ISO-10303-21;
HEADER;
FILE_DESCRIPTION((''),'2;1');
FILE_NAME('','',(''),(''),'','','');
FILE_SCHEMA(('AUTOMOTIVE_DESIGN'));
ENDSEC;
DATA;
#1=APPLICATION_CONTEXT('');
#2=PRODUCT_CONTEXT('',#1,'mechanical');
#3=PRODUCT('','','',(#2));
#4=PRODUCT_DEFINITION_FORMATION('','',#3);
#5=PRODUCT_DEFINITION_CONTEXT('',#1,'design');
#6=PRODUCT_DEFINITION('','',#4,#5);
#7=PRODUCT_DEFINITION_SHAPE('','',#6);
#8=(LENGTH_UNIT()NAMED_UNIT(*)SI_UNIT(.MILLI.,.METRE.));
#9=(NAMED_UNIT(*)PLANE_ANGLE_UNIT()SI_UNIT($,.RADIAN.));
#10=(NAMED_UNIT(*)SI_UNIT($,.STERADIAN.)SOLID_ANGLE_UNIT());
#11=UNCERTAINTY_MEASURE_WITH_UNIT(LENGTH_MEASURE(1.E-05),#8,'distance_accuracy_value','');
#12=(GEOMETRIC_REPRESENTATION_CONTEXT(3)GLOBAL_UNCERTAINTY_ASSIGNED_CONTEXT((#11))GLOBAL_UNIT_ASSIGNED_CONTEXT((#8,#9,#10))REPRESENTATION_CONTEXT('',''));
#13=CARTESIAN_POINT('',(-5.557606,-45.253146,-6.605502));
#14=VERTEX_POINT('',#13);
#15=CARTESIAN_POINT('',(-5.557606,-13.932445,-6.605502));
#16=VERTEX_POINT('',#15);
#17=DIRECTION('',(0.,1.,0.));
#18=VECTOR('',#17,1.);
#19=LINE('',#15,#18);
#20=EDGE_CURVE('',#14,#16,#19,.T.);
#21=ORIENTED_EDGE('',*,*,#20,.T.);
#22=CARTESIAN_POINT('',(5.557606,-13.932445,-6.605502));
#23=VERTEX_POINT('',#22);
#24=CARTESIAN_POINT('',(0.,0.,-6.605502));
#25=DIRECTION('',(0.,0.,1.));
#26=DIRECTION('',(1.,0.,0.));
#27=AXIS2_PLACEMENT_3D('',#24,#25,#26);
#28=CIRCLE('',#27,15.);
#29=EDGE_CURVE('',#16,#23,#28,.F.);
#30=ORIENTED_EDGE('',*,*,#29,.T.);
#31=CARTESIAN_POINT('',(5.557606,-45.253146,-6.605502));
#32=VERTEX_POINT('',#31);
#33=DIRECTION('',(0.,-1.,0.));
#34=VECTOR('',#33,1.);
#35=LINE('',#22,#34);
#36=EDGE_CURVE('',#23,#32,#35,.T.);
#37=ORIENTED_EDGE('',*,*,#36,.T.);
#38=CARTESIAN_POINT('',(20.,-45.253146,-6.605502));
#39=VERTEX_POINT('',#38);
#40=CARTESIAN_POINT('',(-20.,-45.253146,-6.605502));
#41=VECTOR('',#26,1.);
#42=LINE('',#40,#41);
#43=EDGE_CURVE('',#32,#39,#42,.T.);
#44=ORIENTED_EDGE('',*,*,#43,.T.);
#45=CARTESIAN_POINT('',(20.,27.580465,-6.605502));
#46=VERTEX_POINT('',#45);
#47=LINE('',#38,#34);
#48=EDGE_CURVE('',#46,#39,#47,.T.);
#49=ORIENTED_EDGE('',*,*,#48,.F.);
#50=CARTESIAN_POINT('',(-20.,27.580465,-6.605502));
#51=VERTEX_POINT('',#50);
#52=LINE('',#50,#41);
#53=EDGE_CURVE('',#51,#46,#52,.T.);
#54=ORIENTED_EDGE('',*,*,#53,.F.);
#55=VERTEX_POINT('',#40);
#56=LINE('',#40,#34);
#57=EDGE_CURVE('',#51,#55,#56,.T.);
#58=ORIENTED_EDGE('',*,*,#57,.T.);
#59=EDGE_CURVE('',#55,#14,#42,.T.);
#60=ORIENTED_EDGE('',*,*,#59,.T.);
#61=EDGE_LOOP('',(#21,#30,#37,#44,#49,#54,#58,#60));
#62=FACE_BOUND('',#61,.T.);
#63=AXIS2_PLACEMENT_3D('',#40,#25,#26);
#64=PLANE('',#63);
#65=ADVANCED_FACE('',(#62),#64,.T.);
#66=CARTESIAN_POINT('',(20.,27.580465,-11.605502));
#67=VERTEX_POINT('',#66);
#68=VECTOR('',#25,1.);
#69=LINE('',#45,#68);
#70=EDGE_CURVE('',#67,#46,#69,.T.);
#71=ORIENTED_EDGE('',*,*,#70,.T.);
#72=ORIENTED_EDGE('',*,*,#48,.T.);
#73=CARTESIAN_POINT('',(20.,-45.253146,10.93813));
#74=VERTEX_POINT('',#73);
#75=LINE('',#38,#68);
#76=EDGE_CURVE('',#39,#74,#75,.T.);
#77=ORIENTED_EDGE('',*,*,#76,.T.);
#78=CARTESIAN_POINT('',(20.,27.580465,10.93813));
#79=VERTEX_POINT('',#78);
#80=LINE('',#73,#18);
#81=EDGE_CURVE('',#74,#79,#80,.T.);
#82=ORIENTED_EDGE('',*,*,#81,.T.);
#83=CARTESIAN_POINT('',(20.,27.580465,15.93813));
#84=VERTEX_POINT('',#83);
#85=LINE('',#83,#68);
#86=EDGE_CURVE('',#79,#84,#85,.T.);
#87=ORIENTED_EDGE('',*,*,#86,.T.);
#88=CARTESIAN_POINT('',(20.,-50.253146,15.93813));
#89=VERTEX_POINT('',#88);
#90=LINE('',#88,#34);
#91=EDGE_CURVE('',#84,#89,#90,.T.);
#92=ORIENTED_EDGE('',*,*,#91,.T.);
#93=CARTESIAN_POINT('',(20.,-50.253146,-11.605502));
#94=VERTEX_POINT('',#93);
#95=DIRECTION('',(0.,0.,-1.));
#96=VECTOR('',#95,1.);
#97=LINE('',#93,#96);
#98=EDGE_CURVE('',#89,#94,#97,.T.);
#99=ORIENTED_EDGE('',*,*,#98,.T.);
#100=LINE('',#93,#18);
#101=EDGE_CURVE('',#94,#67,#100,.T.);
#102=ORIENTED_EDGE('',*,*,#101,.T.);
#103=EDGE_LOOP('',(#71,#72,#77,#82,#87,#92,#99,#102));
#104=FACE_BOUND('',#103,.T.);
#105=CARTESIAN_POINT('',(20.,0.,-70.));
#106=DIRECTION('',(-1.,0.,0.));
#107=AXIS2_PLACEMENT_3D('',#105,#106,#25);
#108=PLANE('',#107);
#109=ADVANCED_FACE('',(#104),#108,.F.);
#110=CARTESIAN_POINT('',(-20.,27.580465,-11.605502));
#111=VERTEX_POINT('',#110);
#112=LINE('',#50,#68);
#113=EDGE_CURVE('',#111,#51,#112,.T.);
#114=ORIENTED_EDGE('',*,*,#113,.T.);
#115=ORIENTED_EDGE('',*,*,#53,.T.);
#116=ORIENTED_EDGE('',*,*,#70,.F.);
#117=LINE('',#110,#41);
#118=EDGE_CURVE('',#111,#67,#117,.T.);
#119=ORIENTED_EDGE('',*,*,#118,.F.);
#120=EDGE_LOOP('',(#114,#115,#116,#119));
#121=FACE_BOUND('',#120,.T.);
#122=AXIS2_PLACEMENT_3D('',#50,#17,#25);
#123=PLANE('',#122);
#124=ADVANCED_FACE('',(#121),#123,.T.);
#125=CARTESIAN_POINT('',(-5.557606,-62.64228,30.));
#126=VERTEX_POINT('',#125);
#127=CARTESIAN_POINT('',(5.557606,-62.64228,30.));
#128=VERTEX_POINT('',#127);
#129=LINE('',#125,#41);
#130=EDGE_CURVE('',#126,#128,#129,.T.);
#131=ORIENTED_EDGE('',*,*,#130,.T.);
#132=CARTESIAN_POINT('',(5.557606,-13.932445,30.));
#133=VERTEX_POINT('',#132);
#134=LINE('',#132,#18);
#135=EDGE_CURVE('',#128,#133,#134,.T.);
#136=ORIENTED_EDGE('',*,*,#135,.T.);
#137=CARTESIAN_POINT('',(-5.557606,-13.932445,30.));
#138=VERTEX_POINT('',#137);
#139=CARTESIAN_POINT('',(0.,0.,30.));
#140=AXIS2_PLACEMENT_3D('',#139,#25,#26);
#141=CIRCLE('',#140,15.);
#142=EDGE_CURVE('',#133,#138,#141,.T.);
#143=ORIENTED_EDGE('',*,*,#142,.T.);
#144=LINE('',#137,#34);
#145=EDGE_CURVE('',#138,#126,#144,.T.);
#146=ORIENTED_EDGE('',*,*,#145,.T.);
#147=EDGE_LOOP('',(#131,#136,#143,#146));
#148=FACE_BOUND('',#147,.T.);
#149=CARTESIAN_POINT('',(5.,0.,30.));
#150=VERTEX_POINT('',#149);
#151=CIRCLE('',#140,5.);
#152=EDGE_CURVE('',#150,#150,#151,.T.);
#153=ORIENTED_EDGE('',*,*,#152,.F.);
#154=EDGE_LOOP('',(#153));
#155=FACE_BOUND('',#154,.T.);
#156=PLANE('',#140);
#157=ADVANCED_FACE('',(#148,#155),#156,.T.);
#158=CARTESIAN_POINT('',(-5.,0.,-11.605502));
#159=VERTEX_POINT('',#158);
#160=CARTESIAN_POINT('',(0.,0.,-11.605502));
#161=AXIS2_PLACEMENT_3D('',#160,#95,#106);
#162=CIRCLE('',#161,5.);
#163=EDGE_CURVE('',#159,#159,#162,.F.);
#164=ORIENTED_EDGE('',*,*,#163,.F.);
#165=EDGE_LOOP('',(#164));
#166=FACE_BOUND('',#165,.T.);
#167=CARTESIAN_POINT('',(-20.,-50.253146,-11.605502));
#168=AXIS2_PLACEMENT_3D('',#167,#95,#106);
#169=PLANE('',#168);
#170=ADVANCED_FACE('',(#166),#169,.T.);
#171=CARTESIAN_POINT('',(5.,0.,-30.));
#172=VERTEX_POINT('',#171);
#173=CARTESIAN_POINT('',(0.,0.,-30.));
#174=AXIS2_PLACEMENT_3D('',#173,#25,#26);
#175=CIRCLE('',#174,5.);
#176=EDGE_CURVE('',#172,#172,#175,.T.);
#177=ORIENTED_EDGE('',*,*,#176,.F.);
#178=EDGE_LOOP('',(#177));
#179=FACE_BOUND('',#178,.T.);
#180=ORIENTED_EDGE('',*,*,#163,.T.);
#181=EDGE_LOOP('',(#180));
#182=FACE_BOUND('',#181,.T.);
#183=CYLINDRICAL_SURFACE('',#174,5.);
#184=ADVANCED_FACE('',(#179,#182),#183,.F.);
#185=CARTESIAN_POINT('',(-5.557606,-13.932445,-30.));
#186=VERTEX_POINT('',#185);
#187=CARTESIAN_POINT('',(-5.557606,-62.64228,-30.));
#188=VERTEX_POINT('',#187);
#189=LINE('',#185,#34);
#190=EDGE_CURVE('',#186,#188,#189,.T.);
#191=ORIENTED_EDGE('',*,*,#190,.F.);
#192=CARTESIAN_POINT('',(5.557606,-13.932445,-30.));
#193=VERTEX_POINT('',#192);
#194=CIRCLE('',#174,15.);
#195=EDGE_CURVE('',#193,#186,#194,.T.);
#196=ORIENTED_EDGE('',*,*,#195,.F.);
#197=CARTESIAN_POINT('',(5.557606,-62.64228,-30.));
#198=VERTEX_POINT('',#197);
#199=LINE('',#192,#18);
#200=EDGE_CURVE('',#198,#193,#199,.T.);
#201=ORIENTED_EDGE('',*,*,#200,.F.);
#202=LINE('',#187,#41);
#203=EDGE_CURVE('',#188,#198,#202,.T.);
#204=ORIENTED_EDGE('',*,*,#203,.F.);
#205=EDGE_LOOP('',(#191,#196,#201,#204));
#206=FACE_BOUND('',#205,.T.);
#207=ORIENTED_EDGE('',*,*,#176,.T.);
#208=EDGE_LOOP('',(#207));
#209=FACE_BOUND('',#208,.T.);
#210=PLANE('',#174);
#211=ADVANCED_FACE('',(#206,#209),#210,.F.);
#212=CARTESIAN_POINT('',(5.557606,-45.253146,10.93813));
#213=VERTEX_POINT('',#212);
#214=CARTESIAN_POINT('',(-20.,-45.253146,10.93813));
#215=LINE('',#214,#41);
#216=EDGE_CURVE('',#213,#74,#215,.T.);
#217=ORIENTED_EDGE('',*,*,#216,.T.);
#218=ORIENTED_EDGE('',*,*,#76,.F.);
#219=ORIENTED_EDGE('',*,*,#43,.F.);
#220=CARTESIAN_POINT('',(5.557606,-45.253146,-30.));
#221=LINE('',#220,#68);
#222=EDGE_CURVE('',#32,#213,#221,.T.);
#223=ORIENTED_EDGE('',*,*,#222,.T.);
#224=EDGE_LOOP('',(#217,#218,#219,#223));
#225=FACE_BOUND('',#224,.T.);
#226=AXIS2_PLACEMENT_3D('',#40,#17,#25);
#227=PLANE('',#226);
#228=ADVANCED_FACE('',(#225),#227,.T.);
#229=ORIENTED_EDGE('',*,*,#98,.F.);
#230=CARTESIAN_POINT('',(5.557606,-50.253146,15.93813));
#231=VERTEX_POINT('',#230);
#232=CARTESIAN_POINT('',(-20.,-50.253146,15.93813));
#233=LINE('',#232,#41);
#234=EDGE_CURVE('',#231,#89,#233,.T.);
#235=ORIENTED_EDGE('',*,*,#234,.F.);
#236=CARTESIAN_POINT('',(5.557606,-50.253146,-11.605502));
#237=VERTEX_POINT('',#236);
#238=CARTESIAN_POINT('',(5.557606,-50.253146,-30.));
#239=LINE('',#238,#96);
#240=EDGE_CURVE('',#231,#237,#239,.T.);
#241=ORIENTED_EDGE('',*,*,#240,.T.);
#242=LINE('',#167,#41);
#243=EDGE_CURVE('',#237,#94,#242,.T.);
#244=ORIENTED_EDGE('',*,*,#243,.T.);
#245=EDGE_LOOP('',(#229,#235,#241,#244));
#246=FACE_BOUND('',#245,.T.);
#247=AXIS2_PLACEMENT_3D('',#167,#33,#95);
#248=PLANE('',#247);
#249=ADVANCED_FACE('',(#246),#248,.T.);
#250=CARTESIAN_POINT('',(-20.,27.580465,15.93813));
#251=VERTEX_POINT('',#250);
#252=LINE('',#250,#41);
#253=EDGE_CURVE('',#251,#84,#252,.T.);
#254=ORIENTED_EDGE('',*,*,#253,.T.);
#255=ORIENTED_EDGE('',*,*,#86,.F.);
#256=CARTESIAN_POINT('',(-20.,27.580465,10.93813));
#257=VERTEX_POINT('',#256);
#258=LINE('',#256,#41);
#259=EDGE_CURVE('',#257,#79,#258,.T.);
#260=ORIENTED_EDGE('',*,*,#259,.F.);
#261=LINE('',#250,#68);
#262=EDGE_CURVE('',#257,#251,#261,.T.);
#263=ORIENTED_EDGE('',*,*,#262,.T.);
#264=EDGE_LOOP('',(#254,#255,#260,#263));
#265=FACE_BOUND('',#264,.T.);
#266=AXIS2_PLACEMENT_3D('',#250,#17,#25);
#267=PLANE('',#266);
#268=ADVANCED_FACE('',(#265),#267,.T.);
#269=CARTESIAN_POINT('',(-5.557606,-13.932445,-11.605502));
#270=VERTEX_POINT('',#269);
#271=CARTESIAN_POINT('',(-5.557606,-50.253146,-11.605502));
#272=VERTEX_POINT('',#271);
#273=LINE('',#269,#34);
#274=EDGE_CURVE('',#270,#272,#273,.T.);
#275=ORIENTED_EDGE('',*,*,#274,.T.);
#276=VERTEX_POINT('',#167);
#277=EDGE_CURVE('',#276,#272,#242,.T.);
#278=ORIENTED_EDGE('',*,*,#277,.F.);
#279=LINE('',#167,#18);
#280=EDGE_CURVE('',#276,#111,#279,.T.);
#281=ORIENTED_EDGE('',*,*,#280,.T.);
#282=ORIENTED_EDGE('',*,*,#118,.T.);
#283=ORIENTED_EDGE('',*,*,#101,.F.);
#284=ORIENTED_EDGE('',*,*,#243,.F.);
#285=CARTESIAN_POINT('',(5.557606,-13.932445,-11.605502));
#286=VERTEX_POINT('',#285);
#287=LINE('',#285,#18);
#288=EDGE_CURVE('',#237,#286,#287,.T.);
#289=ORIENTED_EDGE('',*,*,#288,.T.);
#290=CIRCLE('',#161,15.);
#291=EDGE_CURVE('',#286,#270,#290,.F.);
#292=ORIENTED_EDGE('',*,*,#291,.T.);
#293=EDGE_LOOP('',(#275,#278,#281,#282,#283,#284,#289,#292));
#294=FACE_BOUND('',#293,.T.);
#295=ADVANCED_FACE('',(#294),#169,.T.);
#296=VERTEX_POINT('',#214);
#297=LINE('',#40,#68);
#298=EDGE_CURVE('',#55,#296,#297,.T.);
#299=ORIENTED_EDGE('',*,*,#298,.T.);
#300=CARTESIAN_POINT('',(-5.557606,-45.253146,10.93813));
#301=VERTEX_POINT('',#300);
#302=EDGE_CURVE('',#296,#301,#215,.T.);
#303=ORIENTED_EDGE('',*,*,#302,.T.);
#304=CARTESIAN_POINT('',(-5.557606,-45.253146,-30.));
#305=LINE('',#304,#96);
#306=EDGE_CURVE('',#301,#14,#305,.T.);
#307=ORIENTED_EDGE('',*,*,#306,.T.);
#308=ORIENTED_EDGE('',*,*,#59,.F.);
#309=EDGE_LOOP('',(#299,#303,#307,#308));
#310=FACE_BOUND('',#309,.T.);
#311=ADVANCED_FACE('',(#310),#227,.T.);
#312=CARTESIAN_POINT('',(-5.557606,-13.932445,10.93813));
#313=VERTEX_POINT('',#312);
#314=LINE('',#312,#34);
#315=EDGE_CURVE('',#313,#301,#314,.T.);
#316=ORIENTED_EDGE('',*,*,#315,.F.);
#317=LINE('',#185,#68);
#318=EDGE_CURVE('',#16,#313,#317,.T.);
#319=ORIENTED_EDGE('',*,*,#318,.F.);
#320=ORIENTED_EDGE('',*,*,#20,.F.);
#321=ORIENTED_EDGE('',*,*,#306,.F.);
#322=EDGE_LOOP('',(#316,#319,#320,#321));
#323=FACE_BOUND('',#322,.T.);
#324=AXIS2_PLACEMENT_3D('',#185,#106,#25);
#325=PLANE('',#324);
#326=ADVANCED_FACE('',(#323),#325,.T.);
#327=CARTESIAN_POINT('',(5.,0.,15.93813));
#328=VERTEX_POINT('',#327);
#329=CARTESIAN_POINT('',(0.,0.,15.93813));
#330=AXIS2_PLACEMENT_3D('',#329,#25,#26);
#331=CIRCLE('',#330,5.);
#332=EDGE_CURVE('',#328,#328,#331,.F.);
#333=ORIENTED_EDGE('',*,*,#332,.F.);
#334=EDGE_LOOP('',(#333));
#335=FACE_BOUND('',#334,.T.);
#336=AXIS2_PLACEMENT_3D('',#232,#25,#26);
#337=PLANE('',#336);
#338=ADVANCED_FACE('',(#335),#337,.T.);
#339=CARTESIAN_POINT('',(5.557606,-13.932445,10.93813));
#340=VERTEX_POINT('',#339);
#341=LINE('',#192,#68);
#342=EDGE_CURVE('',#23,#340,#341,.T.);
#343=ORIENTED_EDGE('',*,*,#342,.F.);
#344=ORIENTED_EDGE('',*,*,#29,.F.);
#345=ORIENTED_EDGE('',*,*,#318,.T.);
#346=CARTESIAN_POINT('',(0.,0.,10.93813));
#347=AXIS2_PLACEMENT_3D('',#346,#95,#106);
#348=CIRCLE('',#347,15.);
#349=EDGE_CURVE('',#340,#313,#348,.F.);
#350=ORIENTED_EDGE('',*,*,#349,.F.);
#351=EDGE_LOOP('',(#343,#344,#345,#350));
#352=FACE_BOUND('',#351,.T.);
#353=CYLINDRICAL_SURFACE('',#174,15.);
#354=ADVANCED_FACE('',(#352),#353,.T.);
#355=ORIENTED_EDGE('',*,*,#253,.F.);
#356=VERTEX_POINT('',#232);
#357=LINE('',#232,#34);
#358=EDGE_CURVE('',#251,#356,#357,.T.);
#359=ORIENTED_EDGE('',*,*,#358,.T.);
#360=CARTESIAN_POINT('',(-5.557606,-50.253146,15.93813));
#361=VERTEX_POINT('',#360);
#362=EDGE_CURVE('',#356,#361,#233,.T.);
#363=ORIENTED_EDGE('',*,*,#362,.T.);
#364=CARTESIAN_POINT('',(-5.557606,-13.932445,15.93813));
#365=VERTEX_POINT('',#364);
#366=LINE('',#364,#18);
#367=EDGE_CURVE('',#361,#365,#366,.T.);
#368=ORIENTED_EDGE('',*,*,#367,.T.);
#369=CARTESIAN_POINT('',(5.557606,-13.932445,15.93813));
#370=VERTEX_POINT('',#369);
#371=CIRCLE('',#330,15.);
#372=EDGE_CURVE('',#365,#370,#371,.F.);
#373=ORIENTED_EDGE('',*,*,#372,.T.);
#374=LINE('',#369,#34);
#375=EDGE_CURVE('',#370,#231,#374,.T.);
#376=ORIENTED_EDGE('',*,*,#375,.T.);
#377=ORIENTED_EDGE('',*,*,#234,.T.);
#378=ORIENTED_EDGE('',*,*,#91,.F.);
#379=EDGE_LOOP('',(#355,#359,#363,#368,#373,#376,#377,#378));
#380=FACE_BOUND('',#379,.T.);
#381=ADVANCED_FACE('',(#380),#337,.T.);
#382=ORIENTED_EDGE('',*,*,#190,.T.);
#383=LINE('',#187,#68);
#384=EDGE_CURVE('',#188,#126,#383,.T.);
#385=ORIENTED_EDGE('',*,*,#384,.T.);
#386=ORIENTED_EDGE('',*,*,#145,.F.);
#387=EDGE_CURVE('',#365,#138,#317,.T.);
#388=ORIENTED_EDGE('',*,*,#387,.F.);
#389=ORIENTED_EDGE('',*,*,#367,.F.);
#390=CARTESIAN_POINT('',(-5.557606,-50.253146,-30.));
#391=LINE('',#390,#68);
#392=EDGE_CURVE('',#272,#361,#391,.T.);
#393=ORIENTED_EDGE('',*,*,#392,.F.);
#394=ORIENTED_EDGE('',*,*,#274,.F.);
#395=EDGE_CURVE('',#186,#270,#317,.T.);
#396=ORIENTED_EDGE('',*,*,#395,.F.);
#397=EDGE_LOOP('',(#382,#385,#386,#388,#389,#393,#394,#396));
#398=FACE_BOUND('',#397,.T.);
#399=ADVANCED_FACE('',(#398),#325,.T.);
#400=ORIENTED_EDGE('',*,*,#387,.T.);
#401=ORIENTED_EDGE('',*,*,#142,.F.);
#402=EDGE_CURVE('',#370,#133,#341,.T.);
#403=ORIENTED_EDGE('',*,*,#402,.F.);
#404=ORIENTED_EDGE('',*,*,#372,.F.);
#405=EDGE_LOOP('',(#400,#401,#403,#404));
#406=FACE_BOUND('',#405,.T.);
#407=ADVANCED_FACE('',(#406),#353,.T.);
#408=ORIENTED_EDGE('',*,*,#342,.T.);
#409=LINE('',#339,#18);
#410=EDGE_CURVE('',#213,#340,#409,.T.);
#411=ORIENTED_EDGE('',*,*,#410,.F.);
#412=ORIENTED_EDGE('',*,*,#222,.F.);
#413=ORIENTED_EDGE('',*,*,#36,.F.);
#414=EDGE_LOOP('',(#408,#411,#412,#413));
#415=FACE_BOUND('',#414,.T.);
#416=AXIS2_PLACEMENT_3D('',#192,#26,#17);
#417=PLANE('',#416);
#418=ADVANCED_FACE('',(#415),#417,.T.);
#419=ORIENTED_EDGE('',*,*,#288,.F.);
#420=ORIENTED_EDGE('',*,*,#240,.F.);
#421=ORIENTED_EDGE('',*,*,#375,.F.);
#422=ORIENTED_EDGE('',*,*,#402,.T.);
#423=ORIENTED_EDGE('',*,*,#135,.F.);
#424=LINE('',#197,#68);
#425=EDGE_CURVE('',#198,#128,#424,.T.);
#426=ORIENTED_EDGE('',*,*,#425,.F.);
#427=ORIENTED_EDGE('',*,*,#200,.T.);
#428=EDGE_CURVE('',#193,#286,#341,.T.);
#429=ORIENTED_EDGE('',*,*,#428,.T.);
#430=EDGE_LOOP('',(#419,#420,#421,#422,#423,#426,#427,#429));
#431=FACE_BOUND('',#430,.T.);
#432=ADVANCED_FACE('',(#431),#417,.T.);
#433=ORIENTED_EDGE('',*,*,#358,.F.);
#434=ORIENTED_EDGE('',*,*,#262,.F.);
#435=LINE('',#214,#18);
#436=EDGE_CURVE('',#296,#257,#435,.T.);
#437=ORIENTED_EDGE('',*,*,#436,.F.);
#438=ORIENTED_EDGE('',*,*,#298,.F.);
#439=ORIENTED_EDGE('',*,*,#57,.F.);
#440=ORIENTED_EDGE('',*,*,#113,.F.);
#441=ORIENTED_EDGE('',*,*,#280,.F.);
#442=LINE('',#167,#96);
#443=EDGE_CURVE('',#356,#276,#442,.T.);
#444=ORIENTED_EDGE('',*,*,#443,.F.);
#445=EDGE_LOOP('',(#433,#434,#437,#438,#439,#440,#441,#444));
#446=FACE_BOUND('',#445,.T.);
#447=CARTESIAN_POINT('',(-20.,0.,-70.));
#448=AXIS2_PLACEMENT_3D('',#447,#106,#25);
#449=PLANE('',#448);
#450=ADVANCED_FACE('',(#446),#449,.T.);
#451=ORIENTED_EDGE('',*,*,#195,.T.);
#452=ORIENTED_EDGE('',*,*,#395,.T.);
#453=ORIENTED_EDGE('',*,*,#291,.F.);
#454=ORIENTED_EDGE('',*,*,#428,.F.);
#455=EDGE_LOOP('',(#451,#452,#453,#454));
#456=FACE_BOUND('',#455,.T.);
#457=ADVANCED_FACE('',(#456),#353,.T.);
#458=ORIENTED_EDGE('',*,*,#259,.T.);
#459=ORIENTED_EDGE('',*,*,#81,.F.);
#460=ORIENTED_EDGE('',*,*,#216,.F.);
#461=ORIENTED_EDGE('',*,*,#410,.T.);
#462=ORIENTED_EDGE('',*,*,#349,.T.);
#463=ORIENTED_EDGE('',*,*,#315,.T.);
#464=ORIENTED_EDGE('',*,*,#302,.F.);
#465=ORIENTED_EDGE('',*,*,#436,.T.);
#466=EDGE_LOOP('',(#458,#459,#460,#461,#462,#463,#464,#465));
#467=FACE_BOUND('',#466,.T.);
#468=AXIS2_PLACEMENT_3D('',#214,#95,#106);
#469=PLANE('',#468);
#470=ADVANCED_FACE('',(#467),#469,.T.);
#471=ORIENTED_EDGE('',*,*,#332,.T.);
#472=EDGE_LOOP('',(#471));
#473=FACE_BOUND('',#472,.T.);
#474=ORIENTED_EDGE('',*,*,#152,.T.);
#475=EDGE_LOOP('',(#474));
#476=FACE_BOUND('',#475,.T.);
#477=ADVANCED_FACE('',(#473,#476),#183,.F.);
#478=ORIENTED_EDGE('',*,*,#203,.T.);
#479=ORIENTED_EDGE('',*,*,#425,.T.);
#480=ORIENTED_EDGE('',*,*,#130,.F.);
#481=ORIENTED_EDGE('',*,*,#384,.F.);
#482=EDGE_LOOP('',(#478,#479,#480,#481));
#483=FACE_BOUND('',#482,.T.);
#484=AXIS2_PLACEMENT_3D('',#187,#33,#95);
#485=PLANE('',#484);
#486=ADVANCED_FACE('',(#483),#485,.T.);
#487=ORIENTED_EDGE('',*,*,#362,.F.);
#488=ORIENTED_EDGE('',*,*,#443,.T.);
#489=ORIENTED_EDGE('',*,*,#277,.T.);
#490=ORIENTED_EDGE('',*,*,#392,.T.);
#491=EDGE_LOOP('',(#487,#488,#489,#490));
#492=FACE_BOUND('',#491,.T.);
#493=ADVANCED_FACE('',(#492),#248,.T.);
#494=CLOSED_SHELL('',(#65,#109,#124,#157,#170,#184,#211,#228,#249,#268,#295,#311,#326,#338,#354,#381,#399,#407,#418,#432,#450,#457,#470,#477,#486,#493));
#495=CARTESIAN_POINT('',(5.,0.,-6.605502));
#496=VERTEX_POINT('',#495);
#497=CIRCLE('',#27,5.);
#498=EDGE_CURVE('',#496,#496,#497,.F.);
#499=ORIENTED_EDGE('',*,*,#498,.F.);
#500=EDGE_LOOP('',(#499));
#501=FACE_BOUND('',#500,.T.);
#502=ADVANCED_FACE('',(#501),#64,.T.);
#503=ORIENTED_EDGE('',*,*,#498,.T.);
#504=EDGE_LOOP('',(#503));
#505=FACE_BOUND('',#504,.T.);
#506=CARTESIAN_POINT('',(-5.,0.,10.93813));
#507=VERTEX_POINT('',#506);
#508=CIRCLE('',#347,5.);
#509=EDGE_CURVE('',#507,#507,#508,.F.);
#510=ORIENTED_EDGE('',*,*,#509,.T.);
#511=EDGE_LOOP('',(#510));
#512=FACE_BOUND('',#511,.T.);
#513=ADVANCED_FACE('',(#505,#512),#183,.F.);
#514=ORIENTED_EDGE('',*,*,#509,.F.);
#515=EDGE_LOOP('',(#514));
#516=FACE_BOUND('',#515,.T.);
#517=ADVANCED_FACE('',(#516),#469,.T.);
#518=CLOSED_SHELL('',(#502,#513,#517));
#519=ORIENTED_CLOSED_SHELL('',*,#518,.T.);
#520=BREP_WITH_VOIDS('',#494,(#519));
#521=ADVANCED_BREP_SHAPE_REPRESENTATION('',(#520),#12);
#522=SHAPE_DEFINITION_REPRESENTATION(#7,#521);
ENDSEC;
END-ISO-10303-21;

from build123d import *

# Parameters (mm, degrees)
EXTRUDE_5_DEPTH      = 30
EXTRUDE_5_DEPTH_BACK = 30
F_1_FR_R             = 5
EXTRUDE_6_DEPTH      = 20
EXTRUDE_6_DEPTH_BACK = 20


with BuildPart() as part:
    # Эскиз1_fr → Бобышка-Вытянуть5 (new, two sides: drawn at the far end of the back side and taken through both)
    with BuildSketch(Plane.XY.offset(-EXTRUDE_5_DEPTH_BACK)):
        with BuildLine():
            Line((-5.557606452, -13.932444528), (-5.557606452, -62.642280008))
            Line((-5.557606452, -62.642280008), (5.557606452, -62.642280008))
            Line((5.557606452, -62.642280008), (5.557606452, -13.932444528))
            ThreePointArc((5.557606452, -13.932444528), (0, 15), (-5.557606452, -13.932444528))
        make_face()
        Circle(F_1_FR_R, mode=Mode.SUBTRACT)
    extrude(amount=EXTRUDE_5_DEPTH + EXTRUDE_5_DEPTH_BACK)


with BuildPart() as body_2:
    # Эскиз3 → Бобышка-Вытянуть6 (new, two sides: drawn at the far end of the back side and taken through both)
    with BuildSketch(Plane(origin=(0, 0, 0), x_dir=(0, 0, -1), z_dir=(1, 0, 0)).offset(-EXTRUDE_6_DEPTH_BACK)):
        Polygon((-58.394498043, -50.25314581), (-85.938130262, -50.25314581), (-85.938130262, 27.580465306), (-80.938130262, 27.580465306), (-80.938130262, -45.25314581), (-63.394498043, -45.25314581), (-63.394498043, 27.580465306), (-58.394498043, 27.580465306), align=None)
    extrude(amount=EXTRUDE_6_DEPTH + EXTRUDE_6_DEPTH_BACK)


with BuildPart() as body_2_1:
    # Move Body 1: moved
    add(body_2.part.moved(Location((0, 0, -70))))


with BuildPart() as part_1:
    add(part.part)

    # Combine 1: union body 2
    add(body_2_1.part)


solid = part_1.part
